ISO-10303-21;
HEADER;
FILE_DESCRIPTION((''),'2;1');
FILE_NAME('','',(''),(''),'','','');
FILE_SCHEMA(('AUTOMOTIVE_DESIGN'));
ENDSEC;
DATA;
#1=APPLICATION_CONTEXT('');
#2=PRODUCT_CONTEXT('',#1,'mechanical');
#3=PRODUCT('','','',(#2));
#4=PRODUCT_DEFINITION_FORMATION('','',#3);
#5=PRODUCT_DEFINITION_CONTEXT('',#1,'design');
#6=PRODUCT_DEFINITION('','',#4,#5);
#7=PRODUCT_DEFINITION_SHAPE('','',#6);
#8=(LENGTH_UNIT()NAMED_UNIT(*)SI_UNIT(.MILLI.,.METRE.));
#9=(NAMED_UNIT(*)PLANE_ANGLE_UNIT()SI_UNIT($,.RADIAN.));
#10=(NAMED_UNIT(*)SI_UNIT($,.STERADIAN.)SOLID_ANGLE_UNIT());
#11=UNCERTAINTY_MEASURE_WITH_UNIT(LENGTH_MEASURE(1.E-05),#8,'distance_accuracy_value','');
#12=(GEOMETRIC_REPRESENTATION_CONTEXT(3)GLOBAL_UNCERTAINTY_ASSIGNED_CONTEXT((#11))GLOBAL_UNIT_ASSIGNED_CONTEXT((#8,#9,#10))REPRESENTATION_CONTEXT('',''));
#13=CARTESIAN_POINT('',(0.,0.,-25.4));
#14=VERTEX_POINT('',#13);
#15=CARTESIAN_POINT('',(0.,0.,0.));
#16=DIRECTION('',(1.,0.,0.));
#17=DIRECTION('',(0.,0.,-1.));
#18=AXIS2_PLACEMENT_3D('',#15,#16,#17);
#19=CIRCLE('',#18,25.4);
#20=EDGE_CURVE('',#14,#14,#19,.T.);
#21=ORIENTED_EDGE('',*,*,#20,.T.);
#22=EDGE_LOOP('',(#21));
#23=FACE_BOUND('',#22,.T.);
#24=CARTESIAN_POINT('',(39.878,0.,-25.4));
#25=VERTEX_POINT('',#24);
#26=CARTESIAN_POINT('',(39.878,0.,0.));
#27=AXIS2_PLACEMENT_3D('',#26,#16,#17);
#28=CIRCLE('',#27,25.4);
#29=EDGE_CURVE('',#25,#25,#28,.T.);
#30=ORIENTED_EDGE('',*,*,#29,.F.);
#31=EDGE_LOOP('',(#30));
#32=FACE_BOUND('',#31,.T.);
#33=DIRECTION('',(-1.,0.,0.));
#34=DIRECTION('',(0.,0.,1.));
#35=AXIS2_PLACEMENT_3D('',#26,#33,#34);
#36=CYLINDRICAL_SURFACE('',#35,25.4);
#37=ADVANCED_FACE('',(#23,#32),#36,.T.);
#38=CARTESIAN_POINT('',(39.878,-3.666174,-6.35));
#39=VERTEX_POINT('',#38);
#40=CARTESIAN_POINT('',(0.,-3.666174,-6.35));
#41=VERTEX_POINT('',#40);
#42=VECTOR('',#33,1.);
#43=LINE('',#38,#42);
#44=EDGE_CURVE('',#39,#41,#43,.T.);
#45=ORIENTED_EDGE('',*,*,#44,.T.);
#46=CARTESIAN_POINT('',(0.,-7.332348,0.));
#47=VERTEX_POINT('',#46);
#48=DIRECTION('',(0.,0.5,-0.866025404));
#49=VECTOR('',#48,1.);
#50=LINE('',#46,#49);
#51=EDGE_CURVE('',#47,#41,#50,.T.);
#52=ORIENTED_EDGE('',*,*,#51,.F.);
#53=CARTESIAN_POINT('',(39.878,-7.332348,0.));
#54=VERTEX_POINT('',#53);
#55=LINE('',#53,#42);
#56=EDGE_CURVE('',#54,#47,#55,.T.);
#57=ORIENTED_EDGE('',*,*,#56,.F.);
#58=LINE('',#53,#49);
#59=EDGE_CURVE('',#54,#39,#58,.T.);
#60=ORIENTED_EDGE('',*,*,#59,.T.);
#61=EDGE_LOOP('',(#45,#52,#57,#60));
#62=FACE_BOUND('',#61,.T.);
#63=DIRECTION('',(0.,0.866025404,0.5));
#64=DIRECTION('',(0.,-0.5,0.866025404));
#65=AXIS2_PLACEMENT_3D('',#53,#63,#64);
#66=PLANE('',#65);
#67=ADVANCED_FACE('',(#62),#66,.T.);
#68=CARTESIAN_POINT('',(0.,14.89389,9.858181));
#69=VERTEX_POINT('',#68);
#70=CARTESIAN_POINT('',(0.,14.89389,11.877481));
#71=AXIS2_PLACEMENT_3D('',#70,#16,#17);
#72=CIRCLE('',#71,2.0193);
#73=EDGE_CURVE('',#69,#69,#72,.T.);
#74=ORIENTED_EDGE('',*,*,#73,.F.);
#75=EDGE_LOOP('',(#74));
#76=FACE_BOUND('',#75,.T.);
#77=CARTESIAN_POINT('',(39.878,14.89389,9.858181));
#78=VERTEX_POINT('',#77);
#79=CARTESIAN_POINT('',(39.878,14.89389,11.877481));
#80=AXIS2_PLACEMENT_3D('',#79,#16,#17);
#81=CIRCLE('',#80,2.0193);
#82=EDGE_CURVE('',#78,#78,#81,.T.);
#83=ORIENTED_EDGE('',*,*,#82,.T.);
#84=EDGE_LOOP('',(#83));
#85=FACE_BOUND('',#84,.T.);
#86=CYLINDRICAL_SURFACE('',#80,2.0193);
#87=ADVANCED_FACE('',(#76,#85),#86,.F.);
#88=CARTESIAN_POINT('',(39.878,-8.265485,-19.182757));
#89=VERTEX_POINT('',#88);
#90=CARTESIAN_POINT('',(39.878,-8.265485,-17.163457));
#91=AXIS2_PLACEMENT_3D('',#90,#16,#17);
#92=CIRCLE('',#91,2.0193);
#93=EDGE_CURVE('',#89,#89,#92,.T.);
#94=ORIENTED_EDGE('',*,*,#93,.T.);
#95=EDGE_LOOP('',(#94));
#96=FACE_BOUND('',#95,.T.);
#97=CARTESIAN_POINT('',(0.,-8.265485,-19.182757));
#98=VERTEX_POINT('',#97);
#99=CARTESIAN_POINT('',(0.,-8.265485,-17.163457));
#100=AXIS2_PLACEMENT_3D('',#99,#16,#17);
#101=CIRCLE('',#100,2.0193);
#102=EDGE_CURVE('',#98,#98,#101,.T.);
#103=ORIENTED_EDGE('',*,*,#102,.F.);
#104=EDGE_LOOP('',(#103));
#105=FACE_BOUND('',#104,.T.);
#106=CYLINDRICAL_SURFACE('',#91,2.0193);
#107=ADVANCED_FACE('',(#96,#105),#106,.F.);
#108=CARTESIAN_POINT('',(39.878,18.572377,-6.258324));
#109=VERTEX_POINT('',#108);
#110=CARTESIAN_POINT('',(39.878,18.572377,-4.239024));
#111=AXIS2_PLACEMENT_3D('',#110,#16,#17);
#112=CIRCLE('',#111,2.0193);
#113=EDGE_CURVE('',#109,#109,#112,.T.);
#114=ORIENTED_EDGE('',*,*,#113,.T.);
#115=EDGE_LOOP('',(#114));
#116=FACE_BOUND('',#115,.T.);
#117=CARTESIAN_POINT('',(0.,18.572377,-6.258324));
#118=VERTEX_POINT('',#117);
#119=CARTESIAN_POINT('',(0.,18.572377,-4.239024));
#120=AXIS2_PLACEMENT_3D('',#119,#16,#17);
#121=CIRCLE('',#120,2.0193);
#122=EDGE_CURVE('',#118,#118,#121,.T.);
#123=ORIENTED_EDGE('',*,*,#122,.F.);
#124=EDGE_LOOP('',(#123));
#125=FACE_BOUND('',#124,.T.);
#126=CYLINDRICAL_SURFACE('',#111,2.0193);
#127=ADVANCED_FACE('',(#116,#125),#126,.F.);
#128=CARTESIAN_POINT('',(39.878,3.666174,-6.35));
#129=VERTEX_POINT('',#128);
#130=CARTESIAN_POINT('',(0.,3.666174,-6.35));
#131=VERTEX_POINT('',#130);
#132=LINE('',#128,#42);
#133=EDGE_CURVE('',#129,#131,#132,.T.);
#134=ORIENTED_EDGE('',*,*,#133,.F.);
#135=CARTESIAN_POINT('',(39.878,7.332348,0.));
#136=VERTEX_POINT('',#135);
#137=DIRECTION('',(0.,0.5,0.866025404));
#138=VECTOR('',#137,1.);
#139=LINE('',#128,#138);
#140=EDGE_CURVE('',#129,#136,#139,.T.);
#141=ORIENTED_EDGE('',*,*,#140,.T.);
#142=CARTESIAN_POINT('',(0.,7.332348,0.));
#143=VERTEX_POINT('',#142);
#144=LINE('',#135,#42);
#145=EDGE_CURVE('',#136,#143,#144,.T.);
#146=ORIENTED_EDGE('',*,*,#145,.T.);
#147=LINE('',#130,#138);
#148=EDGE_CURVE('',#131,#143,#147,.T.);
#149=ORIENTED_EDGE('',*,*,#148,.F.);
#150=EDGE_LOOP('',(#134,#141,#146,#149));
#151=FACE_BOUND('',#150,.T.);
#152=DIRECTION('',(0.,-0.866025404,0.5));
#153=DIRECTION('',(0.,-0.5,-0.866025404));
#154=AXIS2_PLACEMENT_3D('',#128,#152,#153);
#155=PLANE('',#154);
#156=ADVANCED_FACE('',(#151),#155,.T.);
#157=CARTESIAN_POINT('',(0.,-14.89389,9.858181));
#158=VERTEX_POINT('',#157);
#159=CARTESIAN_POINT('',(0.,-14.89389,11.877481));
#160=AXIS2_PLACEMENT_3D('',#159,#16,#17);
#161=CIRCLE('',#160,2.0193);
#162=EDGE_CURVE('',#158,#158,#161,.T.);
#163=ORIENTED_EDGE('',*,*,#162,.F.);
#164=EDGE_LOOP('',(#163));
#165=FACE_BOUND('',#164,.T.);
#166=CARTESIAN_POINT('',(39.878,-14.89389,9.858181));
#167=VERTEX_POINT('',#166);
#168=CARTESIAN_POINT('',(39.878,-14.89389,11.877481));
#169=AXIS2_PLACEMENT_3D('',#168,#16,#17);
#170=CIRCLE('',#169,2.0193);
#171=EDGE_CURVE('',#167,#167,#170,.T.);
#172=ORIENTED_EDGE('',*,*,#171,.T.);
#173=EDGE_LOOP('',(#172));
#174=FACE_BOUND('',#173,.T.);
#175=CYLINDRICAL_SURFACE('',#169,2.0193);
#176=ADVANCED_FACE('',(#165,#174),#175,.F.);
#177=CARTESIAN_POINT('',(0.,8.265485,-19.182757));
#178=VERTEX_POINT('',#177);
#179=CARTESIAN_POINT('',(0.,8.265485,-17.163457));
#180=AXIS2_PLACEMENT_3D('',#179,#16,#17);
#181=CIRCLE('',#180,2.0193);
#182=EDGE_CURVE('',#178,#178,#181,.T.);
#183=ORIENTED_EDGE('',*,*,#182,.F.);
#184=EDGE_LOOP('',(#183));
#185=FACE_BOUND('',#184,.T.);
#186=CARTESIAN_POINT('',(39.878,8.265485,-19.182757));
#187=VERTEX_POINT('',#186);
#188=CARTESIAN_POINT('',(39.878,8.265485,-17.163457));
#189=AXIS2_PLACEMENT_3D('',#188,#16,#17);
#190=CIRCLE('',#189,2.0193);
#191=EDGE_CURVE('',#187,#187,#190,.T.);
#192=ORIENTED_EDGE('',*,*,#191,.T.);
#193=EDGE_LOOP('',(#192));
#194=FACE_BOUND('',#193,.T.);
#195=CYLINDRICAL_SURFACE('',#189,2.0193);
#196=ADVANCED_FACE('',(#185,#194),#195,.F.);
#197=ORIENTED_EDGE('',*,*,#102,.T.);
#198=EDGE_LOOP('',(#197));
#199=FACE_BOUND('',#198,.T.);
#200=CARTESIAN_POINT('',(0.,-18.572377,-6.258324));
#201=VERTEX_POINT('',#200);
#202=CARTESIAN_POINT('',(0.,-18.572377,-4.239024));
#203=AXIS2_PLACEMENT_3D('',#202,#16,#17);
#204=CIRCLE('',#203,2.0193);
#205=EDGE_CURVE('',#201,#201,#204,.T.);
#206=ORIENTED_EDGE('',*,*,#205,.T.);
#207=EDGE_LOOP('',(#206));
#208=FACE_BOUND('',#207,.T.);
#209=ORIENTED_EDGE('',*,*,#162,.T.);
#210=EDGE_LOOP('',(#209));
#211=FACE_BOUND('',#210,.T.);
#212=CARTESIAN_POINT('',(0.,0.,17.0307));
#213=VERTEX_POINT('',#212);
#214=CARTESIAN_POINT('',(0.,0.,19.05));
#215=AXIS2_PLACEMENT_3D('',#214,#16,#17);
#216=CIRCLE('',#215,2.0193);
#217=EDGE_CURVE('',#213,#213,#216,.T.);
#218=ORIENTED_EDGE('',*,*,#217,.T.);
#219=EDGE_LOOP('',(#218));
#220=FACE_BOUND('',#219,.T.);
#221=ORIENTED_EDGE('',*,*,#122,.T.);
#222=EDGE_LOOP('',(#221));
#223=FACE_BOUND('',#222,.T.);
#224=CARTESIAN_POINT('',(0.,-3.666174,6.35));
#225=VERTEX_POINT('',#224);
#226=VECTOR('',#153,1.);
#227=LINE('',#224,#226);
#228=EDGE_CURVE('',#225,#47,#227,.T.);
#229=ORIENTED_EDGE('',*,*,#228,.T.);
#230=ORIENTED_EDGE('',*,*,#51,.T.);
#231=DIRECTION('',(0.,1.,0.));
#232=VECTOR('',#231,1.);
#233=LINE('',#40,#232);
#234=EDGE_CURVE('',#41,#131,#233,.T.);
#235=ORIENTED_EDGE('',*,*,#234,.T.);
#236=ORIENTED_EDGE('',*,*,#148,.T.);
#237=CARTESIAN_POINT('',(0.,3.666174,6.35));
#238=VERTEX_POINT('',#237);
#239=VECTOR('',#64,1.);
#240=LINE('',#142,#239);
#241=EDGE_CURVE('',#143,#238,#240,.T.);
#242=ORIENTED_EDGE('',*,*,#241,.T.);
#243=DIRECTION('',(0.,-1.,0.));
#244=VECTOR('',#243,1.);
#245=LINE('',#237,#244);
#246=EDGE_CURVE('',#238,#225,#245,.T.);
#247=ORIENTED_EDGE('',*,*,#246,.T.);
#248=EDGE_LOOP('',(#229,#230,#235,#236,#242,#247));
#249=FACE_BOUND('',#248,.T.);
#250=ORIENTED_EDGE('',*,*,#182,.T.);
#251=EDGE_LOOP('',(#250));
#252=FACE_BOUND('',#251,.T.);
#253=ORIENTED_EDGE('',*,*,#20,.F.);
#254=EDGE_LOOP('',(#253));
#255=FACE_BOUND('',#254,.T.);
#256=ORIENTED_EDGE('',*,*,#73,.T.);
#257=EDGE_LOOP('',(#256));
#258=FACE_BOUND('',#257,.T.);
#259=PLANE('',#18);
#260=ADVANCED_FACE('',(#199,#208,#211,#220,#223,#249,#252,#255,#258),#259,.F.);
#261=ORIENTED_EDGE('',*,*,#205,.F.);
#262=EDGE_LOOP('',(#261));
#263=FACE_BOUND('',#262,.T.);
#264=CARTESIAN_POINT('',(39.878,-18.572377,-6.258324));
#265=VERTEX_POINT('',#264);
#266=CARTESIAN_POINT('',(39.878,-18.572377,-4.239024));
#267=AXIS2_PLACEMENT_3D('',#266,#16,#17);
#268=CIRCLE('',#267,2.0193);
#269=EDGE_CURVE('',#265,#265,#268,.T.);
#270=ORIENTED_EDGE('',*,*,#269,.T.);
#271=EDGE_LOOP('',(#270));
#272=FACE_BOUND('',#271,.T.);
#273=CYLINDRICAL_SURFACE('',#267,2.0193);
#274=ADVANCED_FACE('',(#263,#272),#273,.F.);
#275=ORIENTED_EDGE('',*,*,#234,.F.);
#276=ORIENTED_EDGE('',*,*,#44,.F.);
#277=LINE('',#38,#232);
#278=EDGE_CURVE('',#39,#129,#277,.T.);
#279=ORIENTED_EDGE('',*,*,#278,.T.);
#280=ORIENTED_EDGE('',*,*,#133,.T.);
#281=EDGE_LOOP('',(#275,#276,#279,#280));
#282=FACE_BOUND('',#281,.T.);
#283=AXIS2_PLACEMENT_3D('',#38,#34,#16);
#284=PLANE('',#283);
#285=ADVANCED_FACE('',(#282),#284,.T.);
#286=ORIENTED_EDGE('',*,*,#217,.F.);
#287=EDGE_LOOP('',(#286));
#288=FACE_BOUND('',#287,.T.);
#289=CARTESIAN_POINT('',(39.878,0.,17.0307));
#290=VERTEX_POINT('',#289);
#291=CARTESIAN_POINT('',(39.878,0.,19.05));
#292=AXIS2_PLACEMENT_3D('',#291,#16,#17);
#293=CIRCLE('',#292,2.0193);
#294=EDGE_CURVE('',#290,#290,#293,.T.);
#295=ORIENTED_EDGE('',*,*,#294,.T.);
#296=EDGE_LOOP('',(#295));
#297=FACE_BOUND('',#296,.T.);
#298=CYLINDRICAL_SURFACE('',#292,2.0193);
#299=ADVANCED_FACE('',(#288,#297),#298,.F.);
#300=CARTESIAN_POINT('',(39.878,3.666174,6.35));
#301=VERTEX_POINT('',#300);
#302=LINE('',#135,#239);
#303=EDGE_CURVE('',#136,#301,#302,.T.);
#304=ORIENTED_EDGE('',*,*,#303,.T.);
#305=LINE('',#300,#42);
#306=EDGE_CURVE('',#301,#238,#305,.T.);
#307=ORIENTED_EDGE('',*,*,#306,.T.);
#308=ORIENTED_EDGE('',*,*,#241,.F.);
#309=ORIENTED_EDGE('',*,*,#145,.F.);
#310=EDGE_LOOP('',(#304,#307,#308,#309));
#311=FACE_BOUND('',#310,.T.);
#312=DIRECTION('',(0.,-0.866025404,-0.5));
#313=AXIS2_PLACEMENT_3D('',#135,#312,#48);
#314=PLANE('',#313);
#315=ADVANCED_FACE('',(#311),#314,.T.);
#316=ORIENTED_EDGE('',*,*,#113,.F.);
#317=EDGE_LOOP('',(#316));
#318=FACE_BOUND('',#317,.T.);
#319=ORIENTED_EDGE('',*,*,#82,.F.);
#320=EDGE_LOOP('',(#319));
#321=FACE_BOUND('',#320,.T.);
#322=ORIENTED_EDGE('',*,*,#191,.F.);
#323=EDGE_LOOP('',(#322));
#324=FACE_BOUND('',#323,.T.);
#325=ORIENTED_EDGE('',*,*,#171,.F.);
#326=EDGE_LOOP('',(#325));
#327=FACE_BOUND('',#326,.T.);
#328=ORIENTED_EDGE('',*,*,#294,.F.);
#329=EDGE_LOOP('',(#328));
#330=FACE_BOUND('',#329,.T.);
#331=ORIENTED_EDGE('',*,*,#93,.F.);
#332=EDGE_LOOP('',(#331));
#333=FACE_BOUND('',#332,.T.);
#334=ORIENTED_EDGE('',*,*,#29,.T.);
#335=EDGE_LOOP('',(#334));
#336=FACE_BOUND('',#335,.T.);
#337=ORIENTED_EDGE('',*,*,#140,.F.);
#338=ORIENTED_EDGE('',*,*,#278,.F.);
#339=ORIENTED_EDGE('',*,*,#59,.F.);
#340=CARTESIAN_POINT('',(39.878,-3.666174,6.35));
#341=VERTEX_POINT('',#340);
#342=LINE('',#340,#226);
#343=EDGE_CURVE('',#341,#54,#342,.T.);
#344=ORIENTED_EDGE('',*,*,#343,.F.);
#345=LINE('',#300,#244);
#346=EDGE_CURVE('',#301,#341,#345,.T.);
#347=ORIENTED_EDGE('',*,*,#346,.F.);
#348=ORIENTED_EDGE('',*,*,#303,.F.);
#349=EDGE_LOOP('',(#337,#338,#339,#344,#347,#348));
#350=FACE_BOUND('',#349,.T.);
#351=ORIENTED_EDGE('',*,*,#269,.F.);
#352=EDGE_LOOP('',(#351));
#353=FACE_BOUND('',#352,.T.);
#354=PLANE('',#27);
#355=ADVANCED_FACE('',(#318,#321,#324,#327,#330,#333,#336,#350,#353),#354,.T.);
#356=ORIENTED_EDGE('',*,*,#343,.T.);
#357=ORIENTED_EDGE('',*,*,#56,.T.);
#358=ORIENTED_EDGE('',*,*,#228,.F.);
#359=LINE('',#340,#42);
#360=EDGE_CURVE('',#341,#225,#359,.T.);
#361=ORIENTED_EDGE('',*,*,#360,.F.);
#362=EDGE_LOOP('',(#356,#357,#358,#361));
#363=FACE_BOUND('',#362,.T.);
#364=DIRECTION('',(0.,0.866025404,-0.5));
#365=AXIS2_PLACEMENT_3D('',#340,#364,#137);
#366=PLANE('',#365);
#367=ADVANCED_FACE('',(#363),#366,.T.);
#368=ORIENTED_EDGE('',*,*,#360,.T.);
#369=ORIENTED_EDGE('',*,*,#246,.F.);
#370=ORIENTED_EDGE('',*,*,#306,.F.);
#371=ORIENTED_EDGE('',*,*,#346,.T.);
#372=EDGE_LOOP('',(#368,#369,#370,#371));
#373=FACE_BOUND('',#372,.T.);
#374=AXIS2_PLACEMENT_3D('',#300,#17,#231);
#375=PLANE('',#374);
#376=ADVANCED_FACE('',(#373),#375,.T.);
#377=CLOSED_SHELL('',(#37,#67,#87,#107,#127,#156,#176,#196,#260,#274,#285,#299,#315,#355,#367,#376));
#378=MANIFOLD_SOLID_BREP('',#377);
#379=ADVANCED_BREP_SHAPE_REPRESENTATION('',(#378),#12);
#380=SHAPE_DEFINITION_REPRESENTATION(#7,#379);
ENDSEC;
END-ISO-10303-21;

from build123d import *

# Parameters (mm, degrees)
SKETCH2_R                  = 25.4
BOSS_EXTRUDE1_DEPTH        = 39.878
TAP_DRILL_FOR_10_32_TAP1_D = 4.0386


with BuildPart() as part:
    # Sketch2 → Boss-Extrude1 (new body)
    with BuildSketch(Plane.YZ):
        Circle(SKETCH2_R)
        Polygon((3.666174209, 6.35), (-3.666174209, 6.35), (-7.332348419, 0), (-3.666174209, -6.35), (3.666174209, -6.35), (7.332348419, 0), align=None, mode=Mode.SUBTRACT)
    extrude(amount=BOSS_EXTRUDE1_DEPTH)

    # Tap Drill for #10-32 Tap1 (through all)
    with Locations(Plane.YZ.offset(39.878)):
        with Locations((-14.893889741, 11.877480725), (0, 19.05), (14.893889741, 11.877480725), (18.572376727, -4.239023792), (8.26548523, -17.163456934), (-8.26548523, -17.163456934), (-18.572376727, -4.239023792)):
            Hole(TAP_DRILL_FOR_10_32_TAP1_D / 2)


solid = part.part
